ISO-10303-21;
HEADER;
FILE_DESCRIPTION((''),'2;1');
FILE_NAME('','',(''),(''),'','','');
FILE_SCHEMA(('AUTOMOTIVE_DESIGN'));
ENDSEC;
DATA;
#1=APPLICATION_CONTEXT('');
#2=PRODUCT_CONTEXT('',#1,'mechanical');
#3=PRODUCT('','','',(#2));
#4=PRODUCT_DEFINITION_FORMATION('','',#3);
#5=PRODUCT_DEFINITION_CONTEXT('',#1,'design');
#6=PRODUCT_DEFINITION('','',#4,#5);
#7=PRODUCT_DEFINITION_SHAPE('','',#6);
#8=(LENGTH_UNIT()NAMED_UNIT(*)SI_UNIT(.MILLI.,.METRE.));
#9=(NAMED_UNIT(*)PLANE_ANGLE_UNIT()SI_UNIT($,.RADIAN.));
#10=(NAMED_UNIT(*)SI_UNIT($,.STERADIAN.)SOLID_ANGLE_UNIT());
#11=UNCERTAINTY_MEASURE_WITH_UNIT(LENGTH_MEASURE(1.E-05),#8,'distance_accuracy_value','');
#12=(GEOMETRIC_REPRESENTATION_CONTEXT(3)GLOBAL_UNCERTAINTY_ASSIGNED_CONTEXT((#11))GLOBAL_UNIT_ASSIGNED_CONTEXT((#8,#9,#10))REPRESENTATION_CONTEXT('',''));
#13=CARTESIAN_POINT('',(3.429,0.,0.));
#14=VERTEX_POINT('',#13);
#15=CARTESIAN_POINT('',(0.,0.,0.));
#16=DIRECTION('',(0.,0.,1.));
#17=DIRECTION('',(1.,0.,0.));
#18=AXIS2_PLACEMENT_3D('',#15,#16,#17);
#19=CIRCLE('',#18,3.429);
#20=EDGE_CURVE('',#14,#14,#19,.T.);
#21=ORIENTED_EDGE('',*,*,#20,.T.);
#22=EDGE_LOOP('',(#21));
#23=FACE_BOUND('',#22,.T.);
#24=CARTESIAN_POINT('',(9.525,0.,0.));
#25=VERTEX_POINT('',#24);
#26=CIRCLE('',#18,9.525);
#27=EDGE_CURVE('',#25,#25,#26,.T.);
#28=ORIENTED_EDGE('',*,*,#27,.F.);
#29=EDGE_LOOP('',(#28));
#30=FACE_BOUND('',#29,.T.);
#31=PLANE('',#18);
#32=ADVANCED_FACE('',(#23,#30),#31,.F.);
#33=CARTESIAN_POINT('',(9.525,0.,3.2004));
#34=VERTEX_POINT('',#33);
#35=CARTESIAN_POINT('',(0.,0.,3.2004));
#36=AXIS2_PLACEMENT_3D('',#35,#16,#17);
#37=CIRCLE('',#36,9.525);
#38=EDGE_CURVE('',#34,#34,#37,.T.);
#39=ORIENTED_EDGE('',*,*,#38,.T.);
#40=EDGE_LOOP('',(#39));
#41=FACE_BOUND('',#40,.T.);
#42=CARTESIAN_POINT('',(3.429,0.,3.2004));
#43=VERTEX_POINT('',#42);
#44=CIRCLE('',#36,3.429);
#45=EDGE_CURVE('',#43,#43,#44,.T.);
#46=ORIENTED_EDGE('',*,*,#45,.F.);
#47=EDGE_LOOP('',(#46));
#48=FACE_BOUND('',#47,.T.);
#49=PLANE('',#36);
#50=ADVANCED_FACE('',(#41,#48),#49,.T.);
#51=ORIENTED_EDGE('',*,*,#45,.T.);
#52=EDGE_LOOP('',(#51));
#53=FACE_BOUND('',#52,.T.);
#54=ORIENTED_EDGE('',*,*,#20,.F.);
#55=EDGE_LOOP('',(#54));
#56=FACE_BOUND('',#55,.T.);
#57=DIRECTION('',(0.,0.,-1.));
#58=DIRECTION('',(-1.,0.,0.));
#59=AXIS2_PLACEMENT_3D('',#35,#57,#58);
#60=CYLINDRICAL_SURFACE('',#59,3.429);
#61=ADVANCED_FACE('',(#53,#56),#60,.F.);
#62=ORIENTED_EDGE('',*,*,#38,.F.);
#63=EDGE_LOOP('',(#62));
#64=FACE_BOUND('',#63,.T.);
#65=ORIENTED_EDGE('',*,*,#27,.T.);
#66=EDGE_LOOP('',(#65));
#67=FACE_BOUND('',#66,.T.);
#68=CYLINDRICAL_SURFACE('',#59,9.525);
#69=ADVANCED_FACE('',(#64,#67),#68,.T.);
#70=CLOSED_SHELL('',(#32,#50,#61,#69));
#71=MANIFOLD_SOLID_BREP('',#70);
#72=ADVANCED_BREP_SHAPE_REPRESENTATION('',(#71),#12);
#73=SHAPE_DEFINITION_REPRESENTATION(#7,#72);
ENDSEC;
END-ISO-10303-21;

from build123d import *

# Parameters (mm, degrees)
SKETCH1_R           = 9.525
SKETCH1_R_2         = 3.429
BOSS_EXTRUDE1_DEPTH = 3.2004


with BuildPart() as part:
    # Sketch1 → Boss-Extrude1 (new body)
    with BuildSketch(Plane.XY):
        Circle(SKETCH1_R)
        Circle(SKETCH1_R_2, mode=Mode.SUBTRACT)
    extrude(amount=BOSS_EXTRUDE1_DEPTH)


solid = part.part
